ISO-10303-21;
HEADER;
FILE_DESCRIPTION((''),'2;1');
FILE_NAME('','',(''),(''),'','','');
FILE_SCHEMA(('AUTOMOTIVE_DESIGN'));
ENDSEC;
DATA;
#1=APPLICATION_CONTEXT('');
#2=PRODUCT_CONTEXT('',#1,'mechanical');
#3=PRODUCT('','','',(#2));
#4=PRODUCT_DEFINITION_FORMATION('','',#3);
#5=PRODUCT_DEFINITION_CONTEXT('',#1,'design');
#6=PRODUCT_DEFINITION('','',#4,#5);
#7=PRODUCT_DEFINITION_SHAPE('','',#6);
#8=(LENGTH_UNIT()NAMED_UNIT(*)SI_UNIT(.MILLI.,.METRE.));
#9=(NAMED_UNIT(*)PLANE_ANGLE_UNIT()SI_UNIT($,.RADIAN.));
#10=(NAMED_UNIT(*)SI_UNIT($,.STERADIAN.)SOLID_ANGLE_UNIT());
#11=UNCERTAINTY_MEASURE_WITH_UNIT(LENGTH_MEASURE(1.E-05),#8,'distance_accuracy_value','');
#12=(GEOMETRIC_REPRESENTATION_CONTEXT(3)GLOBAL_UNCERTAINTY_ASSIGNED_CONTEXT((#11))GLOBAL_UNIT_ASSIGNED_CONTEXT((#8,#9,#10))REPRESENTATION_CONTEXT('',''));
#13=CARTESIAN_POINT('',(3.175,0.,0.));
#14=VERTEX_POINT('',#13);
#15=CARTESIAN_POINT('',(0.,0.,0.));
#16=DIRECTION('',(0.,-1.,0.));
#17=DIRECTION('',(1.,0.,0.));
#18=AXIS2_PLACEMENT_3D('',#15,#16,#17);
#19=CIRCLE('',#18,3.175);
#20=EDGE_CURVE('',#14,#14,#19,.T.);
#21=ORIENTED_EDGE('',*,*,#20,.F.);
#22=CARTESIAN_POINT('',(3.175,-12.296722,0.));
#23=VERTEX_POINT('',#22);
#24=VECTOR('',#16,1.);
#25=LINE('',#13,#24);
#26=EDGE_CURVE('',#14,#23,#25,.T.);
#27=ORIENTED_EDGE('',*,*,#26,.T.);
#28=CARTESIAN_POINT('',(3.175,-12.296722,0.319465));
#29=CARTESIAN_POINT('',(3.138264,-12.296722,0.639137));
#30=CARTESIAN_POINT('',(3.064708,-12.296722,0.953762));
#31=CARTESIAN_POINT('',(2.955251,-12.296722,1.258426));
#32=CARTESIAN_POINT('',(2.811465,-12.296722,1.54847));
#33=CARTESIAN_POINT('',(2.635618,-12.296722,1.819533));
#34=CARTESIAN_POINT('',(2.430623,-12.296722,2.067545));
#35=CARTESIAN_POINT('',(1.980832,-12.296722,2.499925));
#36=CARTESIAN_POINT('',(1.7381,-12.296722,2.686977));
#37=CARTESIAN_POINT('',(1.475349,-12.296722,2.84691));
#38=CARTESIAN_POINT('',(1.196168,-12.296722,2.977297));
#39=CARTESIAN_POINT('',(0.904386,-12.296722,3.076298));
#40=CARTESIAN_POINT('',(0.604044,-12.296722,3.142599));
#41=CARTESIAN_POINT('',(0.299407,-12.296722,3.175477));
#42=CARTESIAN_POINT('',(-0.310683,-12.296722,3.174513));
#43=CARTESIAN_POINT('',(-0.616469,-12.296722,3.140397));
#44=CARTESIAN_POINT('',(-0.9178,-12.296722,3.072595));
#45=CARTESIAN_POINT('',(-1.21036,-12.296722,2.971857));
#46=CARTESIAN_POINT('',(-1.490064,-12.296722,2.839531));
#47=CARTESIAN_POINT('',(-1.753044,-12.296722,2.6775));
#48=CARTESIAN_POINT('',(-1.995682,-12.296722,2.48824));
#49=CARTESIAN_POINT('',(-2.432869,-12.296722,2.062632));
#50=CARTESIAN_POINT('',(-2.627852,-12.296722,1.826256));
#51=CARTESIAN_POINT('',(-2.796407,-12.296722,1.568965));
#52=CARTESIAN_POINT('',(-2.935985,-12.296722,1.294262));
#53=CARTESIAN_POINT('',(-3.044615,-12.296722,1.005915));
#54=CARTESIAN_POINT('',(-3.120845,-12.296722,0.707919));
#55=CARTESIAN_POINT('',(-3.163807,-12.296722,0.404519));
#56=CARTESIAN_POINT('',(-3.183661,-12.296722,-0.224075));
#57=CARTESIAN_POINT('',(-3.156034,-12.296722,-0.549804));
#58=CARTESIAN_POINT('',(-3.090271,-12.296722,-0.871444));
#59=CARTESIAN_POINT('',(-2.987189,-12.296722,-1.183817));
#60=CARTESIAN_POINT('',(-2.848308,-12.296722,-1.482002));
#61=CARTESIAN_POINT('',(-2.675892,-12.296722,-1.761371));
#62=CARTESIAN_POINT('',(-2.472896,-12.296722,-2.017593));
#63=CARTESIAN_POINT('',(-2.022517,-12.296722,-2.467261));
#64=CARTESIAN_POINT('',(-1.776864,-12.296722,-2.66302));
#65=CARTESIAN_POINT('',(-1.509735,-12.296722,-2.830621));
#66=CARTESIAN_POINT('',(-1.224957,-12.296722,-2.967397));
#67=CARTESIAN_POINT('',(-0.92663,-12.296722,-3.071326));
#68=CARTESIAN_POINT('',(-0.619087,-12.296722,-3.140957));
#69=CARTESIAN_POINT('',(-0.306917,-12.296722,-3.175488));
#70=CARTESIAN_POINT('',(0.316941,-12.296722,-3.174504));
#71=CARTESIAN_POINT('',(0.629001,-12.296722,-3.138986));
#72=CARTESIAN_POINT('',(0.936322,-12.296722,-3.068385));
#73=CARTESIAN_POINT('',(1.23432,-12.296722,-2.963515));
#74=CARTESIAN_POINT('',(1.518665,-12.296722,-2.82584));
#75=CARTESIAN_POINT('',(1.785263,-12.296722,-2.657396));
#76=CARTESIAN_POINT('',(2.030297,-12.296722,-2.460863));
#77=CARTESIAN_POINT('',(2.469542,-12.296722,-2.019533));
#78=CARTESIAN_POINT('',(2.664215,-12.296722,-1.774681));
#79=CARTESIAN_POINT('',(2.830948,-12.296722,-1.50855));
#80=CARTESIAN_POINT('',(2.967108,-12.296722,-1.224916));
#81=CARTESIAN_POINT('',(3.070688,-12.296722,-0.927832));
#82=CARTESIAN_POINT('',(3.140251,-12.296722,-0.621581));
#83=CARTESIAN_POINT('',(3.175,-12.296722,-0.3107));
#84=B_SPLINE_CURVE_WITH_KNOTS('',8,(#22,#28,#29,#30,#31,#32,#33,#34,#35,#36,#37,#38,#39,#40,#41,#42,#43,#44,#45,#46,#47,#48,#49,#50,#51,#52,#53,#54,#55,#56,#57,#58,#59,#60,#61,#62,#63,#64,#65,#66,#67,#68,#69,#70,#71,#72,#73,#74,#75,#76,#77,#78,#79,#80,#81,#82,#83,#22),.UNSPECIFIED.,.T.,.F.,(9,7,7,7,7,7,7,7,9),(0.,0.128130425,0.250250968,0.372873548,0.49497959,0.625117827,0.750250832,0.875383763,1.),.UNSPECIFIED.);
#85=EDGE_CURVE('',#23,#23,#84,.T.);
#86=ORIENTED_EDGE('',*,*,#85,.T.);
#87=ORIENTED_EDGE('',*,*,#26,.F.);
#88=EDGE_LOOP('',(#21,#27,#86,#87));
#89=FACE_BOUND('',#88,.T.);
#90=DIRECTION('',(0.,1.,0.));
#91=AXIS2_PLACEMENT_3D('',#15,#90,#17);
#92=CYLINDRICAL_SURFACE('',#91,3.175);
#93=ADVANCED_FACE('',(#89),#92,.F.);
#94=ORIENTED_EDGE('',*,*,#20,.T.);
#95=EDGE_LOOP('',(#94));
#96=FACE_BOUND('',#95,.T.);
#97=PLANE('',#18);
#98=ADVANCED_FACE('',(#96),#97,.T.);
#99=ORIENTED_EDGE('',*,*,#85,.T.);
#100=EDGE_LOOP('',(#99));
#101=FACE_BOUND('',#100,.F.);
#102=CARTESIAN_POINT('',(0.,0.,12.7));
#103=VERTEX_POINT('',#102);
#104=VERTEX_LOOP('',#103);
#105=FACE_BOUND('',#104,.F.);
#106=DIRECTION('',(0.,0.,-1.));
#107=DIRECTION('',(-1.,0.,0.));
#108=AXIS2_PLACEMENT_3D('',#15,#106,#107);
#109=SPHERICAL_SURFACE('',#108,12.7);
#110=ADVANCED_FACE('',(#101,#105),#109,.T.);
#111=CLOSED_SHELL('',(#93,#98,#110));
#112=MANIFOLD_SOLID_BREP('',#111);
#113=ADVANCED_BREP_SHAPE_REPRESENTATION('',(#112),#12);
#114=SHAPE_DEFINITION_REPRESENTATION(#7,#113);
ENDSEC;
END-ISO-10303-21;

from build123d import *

# Parameters (mm, degrees)
F4_R     = 3.175
F5_DEPTH = 52.832


with BuildPart() as f2:
    # F0 (on Front) → F2 (revolve)
    with BuildSketch(Plane.XZ):
        with BuildLine():
            Line((0, -12.7), (0, 12.7))
            ThreePointArc((0, 12.7), (-12.7, 0), (0, -12.7))
        make_face()
    revolve(axis=Axis((0, 0, 0), (0, 0, 1)))

    # F4 (on Front) → F5 (cut)
    with BuildSketch(Plane.XZ):
        Circle(F4_R)
    extrude(amount=F5_DEPTH, mode=Mode.SUBTRACT)


solid = f2.part
